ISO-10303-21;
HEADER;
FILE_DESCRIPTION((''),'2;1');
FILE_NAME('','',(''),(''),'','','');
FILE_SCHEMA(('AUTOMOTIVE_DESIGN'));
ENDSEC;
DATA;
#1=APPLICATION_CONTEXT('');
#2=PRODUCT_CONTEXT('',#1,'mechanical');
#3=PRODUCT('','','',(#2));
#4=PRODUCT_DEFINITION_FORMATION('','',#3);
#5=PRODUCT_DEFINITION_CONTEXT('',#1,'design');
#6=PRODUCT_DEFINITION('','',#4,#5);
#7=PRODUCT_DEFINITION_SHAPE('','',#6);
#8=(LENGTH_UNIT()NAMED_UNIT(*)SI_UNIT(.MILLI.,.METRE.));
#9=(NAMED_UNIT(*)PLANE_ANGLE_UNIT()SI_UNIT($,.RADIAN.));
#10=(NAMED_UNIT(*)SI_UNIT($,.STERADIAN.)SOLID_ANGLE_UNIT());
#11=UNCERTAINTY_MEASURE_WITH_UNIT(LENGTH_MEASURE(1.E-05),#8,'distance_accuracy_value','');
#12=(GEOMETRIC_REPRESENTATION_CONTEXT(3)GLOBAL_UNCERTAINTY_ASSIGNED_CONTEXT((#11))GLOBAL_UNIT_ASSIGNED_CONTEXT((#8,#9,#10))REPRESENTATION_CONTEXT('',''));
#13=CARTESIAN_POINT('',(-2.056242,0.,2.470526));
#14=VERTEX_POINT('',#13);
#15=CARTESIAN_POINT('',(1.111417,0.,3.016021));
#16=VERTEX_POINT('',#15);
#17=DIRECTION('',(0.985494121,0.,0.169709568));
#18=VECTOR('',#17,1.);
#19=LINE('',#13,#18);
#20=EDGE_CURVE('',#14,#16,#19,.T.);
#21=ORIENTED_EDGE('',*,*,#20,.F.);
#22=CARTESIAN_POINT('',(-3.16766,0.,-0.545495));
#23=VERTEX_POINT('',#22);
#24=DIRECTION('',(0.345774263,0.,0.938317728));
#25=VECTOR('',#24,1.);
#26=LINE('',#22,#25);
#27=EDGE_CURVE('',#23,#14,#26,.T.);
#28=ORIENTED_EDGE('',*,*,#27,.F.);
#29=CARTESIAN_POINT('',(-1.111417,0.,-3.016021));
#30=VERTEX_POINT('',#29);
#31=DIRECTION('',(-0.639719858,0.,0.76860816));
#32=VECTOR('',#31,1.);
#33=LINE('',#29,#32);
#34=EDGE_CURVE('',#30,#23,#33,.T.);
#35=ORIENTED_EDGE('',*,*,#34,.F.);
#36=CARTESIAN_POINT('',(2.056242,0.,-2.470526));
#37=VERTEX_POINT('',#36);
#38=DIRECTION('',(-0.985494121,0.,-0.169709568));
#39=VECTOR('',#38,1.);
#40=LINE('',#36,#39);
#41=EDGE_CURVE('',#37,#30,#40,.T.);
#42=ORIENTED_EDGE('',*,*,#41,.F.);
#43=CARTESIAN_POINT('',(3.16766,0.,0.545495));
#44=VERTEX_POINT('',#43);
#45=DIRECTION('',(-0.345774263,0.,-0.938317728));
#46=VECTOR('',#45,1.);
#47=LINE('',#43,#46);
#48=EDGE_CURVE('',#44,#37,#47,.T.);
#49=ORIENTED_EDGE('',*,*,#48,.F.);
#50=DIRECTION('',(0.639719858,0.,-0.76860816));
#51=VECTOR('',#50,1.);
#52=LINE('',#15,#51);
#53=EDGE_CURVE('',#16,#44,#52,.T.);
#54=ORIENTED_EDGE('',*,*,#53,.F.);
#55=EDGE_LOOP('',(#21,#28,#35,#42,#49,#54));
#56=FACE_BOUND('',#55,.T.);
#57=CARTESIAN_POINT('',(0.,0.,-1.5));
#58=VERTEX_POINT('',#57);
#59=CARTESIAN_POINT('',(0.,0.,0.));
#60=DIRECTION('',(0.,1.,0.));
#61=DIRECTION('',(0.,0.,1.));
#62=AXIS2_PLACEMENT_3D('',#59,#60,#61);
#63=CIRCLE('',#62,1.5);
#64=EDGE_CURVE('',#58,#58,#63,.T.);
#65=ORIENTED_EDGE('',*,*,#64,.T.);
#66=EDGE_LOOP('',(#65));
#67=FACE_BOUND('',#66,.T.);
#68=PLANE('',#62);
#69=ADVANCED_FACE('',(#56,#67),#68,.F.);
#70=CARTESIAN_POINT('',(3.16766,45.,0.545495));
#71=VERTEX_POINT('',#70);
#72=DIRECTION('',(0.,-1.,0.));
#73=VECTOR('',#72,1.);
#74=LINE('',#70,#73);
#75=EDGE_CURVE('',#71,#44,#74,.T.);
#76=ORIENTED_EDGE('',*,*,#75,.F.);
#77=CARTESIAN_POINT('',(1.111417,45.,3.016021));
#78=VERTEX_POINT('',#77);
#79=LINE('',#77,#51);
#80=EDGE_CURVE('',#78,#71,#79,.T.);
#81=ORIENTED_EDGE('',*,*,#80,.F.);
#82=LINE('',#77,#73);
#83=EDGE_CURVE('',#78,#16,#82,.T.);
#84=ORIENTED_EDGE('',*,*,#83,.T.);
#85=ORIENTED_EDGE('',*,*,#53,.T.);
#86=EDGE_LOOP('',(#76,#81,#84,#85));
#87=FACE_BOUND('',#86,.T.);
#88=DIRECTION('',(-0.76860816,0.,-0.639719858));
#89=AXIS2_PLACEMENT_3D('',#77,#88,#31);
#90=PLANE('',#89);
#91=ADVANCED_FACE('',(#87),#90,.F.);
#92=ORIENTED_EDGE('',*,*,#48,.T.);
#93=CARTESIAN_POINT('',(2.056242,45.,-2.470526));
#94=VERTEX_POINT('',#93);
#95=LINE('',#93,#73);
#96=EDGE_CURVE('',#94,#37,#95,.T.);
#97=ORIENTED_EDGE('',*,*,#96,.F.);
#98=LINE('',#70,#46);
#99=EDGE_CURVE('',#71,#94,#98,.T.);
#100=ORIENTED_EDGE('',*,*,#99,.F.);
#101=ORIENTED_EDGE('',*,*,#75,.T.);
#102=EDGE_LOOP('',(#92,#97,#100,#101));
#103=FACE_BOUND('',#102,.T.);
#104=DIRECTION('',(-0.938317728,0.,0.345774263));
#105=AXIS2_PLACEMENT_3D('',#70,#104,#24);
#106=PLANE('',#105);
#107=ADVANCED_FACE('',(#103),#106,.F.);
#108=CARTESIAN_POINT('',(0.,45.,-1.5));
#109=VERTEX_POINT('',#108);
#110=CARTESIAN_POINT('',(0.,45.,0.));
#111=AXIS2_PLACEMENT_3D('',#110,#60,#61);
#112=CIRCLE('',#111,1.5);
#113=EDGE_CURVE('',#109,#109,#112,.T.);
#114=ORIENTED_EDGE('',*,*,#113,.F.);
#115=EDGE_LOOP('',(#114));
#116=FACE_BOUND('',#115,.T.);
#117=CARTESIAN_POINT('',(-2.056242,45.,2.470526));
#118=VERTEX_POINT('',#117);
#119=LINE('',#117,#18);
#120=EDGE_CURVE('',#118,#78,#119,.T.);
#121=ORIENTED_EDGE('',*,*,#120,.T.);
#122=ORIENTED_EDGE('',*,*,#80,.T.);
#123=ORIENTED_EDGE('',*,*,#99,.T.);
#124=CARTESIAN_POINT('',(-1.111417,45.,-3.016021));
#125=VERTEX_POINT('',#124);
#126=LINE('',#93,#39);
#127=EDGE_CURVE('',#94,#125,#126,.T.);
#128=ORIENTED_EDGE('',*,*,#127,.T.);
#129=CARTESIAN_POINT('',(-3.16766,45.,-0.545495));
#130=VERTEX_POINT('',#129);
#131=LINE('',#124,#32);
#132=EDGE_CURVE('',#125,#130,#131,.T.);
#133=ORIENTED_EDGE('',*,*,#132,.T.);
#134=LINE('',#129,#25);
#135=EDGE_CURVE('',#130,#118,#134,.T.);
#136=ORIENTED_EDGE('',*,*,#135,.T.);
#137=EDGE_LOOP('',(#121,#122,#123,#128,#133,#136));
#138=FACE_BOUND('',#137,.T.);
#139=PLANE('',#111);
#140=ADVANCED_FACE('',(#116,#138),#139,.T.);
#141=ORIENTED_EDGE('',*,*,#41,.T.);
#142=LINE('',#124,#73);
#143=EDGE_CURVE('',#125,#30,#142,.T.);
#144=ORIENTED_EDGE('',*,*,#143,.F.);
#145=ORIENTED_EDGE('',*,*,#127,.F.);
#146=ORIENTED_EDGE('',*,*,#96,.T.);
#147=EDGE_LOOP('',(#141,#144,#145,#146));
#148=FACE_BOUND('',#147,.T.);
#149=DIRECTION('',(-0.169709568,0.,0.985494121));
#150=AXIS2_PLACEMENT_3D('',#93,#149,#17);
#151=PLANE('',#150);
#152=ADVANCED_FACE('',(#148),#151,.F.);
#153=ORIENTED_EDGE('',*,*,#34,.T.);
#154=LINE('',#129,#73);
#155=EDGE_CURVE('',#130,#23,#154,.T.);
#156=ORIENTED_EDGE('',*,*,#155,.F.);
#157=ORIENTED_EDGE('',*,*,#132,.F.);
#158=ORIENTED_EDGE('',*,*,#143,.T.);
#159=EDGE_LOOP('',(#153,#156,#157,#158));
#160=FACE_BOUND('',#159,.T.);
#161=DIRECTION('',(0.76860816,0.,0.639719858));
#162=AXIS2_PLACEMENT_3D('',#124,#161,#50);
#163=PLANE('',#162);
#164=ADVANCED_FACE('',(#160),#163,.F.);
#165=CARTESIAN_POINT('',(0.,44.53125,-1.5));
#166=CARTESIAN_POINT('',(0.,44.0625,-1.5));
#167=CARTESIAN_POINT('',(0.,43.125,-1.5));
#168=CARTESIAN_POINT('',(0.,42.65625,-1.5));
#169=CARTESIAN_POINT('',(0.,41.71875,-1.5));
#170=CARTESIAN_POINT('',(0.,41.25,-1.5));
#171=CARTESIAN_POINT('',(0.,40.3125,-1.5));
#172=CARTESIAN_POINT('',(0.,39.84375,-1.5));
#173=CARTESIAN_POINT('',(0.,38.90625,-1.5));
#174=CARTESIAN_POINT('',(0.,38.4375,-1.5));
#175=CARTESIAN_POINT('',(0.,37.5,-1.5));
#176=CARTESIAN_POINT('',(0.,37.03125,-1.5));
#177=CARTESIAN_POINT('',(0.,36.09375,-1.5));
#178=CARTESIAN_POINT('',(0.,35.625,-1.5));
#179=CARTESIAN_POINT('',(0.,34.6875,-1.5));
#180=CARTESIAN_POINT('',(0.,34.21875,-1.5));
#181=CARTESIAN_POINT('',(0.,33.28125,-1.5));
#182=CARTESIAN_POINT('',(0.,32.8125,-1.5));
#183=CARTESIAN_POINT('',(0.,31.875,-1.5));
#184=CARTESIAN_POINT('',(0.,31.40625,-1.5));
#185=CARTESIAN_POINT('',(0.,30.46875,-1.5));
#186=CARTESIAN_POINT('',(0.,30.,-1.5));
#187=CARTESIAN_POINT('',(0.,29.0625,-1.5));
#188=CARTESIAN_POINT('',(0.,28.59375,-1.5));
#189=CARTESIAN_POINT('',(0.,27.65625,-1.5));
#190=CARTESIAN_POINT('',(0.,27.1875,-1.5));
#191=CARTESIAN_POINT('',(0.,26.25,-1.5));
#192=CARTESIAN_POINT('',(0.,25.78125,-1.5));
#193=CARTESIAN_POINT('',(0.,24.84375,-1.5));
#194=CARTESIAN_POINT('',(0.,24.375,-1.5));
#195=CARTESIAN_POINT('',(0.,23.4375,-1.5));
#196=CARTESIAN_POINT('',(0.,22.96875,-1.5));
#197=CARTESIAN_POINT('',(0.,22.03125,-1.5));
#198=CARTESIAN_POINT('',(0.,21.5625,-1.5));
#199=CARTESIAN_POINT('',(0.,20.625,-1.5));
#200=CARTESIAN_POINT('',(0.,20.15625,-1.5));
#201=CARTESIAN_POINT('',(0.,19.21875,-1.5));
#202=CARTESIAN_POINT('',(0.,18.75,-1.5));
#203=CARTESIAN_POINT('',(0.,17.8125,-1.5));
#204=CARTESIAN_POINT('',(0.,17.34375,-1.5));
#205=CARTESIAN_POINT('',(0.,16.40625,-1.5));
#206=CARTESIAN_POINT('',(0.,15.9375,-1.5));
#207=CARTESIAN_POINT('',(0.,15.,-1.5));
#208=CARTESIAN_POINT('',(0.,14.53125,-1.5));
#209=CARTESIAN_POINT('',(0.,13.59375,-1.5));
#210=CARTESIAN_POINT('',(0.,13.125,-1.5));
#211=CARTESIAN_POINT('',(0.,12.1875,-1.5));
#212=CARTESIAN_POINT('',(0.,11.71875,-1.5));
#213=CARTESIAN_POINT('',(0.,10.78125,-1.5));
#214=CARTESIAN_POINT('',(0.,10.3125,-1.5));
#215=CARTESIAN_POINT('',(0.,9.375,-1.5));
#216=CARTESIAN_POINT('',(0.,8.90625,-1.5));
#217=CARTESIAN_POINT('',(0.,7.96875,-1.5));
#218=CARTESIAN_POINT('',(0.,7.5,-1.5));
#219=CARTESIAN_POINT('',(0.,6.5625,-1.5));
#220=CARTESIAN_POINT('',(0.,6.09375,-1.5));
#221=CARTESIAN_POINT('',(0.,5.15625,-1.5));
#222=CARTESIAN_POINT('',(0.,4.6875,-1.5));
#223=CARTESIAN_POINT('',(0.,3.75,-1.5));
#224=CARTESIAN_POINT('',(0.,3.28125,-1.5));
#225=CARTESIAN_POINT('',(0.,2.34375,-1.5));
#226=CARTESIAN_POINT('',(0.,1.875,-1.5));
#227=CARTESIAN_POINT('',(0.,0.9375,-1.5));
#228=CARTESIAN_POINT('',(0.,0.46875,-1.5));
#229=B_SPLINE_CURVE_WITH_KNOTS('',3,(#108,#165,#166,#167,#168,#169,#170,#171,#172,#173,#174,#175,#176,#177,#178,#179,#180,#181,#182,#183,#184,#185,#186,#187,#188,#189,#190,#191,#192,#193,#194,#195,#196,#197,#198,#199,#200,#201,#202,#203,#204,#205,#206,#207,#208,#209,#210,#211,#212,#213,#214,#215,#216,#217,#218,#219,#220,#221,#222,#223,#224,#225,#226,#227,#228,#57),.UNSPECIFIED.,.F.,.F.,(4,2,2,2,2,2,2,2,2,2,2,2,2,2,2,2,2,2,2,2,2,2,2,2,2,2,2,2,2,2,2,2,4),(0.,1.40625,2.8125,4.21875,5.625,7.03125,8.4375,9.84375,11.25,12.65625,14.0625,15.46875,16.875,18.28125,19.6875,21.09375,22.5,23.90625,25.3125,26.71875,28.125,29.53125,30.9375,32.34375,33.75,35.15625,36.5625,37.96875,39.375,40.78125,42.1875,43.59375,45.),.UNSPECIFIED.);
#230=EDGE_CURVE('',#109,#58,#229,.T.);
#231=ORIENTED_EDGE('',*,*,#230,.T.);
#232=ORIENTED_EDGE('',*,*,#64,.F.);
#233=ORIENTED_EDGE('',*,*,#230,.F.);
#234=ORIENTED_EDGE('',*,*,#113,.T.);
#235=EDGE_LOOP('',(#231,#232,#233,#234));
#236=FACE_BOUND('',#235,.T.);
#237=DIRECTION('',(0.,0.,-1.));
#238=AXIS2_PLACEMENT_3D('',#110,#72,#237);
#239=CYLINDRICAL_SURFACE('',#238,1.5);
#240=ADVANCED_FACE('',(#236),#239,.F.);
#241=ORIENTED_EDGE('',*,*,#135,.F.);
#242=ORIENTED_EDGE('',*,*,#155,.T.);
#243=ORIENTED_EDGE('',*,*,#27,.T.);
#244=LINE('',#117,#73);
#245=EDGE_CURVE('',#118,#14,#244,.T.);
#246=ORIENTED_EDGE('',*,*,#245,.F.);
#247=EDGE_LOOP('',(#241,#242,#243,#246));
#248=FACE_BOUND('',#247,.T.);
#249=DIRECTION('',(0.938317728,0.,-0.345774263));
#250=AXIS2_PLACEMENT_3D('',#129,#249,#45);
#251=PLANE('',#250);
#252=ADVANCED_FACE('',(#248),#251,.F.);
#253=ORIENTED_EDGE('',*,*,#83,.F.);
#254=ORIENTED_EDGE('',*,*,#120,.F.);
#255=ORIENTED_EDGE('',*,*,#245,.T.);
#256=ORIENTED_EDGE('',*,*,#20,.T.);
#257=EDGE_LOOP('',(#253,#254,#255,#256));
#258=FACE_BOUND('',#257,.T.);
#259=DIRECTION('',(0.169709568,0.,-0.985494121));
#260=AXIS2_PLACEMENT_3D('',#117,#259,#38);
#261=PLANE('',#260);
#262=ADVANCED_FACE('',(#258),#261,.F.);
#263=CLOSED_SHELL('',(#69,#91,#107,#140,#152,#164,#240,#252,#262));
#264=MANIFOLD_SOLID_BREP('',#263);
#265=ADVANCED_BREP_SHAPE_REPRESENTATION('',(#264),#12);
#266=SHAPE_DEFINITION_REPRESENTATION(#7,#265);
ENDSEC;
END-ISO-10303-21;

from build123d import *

# Parameters (mm, degrees)
SKETCH1_R           = 1.5
BOSS_EXTRUDE1_DEPTH = 45


with BuildPart() as part:
    # Sketch1 → Boss-Extrude1 (new body)
    with BuildSketch(Plane(origin=(0, 0, 0), x_dir=(1, 0, 0), z_dir=(0, 1, 0))):
        Polygon((1.111417275, -3.016021269), (3.167659675, -0.545495041), (2.0562424, 2.470526228), (-1.111417275, 3.016021269), (-3.167659675, 0.54549504), (-2.0562424, -2.470526228), align=None)
        with Locations(Location((0, 0, 0), (0, 0, 90))):
            Circle(SKETCH1_R, mode=Mode.SUBTRACT)
    extrude(amount=BOSS_EXTRUDE1_DEPTH)


solid = part.part
